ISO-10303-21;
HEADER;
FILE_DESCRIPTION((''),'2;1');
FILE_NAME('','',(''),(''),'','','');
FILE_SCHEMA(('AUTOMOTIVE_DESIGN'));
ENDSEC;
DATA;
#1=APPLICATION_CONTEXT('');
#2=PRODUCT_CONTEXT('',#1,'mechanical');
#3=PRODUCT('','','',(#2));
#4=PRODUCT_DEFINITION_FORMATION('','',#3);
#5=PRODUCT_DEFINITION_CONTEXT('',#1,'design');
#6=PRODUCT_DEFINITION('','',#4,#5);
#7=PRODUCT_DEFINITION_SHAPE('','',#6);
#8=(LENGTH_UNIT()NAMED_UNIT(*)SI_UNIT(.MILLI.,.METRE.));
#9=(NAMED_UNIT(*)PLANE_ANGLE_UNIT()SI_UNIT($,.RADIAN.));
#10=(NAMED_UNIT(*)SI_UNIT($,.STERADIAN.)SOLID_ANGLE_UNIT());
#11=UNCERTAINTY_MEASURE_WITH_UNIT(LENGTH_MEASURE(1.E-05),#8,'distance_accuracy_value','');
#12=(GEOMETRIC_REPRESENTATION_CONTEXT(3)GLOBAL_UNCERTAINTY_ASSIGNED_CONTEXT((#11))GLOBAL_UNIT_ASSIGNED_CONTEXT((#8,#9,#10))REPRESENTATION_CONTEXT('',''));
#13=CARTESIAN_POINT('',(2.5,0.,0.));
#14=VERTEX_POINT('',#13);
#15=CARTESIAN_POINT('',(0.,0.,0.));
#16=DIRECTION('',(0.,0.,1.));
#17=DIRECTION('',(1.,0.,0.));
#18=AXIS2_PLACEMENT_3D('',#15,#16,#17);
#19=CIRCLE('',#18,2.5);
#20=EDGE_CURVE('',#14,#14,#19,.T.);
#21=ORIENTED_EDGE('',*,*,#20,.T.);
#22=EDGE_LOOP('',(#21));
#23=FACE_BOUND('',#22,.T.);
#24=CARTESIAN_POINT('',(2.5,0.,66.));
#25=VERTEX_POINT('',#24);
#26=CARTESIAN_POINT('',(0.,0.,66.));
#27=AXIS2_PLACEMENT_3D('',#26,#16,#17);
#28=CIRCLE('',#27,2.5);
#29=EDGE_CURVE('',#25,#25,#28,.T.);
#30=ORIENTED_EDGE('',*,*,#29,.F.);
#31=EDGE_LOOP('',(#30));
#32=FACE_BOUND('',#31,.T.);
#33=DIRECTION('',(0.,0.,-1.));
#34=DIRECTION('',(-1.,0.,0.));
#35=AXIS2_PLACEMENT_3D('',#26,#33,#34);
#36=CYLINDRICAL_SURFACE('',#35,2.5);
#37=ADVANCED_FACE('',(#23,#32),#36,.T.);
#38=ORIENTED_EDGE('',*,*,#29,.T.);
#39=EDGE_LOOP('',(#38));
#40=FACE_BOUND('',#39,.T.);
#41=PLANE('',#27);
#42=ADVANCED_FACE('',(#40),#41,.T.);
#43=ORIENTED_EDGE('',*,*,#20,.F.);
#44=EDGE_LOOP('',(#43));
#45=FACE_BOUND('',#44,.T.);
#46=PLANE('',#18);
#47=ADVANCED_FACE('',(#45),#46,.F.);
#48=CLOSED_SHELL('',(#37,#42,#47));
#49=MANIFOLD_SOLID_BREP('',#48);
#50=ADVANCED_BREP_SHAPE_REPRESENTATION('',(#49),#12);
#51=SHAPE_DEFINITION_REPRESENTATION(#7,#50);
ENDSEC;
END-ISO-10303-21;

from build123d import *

# Parameters (mm, degrees)
CROQUIS1_R              = 2.5
SALIENTE_EXTRUIR1_DEPTH = 66


with BuildPart() as part:
    # Croquis1 → Saliente-Extruir1 (new body)
    with BuildSketch(Plane.XY):
        Circle(CROQUIS1_R)
    extrude(amount=SALIENTE_EXTRUIR1_DEPTH)


solid = part.part
